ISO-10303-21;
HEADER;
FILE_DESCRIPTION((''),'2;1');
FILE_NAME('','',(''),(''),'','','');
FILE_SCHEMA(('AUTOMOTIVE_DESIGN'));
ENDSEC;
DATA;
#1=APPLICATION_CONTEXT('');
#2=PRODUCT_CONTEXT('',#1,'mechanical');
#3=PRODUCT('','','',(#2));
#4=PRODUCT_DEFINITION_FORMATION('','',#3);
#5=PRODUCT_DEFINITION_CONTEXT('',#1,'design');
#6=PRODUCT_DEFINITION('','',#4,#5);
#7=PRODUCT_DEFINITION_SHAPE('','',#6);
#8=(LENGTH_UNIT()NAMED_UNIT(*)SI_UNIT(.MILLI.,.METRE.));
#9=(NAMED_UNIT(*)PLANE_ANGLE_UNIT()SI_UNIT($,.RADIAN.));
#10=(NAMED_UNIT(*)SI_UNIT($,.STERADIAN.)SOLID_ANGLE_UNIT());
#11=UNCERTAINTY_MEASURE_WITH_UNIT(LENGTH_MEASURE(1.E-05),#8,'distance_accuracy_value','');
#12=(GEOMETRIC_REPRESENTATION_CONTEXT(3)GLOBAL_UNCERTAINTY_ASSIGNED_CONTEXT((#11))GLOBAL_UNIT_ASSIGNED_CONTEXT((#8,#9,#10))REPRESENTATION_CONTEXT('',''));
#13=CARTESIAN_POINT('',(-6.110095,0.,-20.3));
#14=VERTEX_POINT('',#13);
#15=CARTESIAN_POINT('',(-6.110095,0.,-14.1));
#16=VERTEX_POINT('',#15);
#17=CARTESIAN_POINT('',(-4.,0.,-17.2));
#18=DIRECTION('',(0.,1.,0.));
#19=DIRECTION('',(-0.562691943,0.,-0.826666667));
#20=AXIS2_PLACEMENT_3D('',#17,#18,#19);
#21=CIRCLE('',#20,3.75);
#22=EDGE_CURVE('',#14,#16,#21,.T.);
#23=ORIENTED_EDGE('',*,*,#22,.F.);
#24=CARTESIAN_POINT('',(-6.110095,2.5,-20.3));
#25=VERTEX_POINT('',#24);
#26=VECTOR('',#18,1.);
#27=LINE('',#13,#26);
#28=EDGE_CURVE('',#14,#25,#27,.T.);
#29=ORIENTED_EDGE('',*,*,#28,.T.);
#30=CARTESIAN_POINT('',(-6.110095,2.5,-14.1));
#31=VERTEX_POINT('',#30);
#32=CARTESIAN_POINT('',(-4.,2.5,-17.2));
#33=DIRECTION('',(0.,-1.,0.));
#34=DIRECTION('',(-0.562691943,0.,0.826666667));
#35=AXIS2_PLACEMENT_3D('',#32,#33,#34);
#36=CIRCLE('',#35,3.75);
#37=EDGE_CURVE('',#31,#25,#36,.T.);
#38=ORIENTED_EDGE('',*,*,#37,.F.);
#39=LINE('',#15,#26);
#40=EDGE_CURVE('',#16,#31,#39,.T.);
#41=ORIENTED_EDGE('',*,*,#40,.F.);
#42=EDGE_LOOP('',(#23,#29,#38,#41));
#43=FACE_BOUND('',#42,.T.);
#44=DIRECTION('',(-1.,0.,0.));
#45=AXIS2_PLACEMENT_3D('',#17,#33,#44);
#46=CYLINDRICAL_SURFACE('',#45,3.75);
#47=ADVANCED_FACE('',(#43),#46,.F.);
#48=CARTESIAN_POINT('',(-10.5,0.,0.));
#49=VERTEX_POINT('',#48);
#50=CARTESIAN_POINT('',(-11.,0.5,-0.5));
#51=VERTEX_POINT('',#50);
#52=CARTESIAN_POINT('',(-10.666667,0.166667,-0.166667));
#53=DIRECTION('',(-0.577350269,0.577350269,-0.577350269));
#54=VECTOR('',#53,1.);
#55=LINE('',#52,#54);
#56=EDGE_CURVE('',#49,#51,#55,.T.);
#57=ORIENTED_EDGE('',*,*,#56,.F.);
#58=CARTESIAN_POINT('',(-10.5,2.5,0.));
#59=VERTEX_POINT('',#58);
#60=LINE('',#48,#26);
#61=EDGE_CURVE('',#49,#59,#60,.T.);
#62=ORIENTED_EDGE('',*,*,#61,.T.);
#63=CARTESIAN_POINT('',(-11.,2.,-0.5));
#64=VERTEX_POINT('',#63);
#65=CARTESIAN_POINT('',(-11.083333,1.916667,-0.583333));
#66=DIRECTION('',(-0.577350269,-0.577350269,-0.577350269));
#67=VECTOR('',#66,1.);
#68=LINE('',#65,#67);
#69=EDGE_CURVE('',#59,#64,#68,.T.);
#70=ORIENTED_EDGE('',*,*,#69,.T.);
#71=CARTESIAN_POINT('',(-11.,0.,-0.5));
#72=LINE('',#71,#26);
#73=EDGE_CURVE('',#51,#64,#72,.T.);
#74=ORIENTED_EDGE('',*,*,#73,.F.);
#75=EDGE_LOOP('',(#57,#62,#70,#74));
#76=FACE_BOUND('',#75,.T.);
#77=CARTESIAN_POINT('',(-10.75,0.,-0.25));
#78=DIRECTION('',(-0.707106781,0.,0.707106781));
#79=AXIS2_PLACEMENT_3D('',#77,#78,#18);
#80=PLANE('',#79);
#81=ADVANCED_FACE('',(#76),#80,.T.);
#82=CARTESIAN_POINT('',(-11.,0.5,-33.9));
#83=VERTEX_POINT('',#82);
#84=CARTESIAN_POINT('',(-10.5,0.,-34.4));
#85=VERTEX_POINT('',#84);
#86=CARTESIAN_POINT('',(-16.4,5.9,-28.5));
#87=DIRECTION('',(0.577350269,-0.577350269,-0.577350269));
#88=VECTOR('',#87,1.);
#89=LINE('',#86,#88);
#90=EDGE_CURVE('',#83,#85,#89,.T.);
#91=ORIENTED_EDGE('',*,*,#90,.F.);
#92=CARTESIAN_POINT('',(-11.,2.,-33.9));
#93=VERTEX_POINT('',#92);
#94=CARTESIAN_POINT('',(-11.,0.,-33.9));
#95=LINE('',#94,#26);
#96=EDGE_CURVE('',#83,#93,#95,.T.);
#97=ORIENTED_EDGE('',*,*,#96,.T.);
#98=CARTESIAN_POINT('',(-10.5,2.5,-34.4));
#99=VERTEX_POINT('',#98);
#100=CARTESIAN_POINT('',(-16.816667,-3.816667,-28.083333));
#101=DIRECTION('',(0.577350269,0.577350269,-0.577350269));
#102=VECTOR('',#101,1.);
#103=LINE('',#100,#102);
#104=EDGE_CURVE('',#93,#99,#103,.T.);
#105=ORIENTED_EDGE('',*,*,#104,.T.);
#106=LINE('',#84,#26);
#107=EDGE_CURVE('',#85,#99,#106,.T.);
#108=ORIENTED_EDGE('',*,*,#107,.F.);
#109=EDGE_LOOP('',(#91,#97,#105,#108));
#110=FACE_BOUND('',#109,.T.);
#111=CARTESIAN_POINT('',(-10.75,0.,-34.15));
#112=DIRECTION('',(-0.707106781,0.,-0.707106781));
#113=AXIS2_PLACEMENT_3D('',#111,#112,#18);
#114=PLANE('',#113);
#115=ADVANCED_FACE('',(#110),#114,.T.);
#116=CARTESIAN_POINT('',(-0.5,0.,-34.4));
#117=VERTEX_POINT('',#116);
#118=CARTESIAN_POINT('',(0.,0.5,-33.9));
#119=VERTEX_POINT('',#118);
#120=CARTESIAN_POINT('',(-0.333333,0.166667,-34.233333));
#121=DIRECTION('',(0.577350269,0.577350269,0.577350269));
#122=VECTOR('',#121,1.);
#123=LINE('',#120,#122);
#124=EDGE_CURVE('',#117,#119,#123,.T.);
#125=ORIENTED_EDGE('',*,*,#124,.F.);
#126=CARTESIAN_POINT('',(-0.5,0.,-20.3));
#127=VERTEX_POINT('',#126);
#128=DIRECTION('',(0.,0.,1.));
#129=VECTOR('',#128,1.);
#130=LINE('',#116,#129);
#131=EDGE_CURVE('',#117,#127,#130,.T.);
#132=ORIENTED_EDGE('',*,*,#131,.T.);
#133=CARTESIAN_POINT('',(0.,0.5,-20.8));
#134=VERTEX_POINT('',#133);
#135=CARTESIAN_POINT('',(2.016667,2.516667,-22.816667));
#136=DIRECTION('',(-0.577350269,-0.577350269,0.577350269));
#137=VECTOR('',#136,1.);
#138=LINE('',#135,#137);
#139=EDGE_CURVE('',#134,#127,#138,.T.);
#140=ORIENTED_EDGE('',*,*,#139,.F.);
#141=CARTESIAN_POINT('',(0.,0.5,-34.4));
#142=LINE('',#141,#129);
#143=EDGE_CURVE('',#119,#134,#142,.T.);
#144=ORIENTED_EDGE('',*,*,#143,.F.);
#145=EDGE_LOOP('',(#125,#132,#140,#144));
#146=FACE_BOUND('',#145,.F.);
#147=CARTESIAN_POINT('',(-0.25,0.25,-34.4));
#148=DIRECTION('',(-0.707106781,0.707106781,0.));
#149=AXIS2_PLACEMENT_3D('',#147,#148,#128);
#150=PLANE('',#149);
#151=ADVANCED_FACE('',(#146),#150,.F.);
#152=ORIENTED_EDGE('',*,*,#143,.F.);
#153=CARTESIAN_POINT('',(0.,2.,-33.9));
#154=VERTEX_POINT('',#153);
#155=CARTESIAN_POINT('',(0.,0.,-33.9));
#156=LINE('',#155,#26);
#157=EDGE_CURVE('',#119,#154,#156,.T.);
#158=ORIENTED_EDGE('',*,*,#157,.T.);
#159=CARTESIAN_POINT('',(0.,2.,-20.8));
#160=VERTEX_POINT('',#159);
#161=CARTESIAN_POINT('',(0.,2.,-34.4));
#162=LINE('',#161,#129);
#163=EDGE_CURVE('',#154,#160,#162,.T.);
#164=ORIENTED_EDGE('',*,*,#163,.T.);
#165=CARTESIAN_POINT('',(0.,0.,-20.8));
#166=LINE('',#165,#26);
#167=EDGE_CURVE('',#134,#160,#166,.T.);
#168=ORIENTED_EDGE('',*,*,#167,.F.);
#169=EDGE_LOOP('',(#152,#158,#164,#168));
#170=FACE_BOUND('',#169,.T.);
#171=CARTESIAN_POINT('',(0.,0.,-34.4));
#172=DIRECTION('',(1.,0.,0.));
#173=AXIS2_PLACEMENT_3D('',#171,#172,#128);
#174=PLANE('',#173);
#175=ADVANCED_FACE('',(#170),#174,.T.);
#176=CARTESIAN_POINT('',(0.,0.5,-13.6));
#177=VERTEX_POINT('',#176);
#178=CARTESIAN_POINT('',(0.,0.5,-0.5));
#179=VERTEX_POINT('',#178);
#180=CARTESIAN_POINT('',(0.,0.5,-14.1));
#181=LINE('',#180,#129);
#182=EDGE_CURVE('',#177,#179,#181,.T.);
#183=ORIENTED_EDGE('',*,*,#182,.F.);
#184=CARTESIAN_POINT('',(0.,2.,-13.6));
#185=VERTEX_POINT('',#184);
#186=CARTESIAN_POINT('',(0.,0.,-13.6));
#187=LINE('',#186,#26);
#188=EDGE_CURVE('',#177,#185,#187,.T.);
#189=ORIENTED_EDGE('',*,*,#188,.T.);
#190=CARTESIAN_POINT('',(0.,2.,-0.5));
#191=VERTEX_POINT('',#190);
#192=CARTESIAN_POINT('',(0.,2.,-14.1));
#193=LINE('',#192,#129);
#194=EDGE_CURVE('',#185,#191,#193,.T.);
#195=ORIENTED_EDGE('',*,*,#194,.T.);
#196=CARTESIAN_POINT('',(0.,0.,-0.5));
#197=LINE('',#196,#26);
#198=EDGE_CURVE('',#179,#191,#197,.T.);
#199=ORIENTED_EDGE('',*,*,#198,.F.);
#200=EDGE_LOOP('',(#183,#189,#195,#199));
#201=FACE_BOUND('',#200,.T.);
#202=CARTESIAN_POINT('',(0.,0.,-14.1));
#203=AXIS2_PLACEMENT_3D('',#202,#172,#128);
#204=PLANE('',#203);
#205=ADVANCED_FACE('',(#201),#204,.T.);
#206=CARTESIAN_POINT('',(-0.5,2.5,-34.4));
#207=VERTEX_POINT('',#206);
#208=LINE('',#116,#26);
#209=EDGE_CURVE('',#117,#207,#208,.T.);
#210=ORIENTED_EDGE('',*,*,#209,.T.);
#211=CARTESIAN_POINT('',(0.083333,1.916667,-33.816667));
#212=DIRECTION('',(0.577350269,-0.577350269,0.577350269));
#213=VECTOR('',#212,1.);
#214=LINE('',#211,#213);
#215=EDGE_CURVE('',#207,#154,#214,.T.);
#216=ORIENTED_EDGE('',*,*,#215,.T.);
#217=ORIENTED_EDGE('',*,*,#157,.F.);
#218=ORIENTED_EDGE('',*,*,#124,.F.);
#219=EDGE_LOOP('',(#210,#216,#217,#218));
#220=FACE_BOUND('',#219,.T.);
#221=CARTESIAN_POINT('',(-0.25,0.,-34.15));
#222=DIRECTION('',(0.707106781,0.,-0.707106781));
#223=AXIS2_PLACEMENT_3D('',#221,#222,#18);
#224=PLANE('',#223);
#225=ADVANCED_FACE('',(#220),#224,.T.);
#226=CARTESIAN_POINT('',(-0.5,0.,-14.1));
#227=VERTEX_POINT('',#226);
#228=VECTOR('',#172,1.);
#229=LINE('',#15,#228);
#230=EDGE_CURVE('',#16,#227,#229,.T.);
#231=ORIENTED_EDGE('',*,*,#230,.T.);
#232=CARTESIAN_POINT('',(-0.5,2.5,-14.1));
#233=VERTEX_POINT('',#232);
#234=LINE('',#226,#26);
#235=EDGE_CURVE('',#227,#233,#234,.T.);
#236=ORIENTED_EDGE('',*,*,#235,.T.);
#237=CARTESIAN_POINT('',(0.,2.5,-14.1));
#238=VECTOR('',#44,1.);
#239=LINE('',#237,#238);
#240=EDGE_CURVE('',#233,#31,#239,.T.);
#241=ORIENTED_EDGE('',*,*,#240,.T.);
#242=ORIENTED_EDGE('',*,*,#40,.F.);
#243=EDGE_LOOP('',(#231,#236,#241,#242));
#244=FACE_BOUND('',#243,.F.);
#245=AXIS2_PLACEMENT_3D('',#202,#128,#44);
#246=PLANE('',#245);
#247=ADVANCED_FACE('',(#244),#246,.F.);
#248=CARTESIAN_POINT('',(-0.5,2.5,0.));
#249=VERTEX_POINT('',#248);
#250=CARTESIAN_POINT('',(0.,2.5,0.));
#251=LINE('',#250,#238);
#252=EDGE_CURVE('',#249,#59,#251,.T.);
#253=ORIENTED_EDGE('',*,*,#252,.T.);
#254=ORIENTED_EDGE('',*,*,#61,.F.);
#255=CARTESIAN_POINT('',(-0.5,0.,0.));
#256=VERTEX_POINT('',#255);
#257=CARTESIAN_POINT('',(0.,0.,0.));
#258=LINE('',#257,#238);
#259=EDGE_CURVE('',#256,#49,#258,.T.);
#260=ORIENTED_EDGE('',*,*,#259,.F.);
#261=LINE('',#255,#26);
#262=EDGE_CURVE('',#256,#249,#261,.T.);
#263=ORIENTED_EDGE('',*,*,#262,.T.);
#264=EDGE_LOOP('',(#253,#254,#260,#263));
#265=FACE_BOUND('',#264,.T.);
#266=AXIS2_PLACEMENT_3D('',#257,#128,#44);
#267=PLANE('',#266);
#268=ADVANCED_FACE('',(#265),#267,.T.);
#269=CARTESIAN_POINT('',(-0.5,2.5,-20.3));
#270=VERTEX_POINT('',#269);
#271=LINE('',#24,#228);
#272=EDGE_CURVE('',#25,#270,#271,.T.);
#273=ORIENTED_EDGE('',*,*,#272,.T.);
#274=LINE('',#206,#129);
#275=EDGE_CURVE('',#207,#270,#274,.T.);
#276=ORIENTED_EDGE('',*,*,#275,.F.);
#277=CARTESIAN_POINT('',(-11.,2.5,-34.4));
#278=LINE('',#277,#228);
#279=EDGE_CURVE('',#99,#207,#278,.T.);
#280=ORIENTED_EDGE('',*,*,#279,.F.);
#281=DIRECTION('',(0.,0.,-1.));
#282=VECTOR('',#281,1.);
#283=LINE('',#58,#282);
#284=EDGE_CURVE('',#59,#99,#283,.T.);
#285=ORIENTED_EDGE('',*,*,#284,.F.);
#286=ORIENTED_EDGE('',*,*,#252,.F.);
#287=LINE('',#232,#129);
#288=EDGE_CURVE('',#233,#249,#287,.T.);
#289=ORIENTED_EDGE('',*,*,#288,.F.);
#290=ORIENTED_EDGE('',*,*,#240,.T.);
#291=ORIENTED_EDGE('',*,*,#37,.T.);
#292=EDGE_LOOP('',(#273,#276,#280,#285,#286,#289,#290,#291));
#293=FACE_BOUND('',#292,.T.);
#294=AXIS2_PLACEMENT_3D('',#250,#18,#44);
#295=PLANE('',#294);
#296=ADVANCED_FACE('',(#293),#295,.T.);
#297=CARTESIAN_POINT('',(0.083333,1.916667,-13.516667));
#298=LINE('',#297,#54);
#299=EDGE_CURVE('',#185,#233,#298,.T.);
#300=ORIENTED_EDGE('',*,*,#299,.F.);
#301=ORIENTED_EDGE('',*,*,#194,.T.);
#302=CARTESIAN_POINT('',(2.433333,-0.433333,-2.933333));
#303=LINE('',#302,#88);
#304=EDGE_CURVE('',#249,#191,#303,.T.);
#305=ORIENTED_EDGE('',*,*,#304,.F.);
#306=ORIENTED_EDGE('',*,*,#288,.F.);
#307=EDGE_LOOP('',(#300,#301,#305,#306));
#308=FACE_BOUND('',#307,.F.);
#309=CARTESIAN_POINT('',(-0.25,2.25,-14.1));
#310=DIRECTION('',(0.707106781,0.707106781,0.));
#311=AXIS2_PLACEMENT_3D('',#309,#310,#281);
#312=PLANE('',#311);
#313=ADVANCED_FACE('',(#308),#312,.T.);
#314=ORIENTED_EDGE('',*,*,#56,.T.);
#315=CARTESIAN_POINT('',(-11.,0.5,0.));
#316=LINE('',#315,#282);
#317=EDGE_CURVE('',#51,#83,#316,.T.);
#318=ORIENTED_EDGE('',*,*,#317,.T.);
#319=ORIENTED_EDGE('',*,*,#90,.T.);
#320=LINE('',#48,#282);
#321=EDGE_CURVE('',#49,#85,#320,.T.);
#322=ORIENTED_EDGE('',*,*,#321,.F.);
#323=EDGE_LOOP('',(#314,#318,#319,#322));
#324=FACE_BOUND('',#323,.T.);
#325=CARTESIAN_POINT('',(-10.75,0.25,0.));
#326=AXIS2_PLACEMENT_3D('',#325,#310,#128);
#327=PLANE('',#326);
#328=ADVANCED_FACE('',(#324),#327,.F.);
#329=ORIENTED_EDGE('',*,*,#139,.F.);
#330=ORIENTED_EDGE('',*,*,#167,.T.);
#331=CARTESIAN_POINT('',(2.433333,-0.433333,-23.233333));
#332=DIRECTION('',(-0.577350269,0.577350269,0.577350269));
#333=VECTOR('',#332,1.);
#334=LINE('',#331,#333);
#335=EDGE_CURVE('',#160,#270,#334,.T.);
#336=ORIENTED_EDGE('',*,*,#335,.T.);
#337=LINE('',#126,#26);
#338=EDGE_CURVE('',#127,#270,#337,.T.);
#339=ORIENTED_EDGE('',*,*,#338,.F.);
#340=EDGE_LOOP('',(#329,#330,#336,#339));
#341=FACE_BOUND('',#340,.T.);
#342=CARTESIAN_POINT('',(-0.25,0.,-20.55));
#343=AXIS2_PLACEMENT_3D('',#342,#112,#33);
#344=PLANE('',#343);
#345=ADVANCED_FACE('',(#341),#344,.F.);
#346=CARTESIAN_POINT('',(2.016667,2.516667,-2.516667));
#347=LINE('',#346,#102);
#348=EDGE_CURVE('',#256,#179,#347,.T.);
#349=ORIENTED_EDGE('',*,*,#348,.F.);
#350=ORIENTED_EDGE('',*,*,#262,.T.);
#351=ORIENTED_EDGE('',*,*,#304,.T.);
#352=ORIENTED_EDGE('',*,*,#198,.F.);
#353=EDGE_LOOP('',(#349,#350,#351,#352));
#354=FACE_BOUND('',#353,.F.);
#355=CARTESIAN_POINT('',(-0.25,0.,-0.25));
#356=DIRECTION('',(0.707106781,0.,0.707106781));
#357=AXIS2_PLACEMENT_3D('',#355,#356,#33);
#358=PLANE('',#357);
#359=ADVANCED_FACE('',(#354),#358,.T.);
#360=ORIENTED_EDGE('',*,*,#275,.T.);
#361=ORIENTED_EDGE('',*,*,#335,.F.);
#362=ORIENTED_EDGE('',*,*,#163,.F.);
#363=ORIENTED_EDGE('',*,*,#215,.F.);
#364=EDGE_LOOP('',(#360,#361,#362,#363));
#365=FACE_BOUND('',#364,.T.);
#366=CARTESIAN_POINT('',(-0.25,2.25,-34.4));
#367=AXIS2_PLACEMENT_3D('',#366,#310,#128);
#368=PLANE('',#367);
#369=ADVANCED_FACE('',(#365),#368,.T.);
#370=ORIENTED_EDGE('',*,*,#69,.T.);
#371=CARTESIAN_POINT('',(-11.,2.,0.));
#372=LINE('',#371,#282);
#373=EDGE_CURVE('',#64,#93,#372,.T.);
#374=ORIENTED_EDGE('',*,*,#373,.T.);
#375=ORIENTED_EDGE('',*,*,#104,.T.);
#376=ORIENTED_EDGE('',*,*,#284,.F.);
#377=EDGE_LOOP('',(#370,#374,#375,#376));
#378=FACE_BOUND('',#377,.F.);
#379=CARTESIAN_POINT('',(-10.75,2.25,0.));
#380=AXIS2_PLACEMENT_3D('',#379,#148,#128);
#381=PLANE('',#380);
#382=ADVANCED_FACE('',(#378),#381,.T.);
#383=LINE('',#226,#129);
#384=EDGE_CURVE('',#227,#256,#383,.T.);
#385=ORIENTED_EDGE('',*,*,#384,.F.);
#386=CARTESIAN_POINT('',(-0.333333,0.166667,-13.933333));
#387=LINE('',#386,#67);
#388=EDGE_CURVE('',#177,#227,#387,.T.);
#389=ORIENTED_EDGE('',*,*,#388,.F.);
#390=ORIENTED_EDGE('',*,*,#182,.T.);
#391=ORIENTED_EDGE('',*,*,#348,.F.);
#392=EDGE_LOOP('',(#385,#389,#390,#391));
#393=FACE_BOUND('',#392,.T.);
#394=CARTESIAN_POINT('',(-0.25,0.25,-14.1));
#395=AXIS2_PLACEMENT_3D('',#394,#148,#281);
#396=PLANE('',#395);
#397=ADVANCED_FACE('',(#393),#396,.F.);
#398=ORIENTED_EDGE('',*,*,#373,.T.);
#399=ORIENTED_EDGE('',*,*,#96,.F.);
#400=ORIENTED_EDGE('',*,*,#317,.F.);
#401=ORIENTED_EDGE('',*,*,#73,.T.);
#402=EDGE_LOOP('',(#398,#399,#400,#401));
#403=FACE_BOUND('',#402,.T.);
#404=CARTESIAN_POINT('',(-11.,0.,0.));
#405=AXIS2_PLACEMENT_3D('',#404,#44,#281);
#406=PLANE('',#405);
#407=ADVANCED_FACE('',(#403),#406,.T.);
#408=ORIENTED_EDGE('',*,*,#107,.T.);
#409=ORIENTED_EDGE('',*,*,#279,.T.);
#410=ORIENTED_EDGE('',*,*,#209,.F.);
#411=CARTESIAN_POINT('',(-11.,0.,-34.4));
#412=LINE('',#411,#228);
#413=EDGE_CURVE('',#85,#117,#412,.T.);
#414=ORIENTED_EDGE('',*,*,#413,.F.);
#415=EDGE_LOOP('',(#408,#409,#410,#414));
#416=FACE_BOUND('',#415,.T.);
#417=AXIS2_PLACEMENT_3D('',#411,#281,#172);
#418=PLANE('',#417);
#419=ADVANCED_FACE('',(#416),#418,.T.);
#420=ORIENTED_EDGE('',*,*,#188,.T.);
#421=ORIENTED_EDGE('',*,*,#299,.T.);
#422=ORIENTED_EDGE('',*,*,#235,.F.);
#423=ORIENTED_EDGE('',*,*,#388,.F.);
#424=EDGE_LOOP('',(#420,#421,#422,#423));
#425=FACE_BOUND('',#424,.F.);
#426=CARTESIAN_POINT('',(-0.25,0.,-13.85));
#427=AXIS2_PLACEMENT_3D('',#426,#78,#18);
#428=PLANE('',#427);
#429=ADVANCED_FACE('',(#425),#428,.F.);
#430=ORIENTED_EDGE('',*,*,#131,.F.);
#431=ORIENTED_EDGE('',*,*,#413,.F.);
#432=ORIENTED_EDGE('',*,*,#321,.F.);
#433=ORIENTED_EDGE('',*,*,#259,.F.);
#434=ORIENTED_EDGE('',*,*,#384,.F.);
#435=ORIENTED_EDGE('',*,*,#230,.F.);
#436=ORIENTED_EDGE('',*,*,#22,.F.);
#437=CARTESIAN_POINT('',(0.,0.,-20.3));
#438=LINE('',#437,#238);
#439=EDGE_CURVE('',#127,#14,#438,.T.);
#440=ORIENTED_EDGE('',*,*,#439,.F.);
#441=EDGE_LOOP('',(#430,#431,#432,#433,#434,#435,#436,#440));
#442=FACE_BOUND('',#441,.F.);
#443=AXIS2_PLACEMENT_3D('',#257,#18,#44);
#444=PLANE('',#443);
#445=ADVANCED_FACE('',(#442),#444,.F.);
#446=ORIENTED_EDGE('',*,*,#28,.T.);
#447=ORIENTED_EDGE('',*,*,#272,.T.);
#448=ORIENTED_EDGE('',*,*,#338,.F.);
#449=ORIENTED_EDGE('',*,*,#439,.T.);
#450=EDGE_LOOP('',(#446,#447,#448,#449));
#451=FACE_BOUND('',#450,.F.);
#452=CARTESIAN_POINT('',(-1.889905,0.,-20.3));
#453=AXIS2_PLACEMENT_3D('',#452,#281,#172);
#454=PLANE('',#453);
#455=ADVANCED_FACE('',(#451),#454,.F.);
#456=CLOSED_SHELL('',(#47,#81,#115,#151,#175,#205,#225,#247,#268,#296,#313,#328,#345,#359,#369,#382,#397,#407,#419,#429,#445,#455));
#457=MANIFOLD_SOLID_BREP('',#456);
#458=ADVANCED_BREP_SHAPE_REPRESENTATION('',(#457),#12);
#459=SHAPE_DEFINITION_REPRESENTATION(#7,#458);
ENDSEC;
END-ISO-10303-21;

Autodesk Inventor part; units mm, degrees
ref_plane "YZ Plane" through (0, 0, 0) normal (1, 0, 0) x (0, 1, 0)
ref_plane "XZ Plane" through (0, 0, 0) normal (0, 1, 0) x (-1, 0, 0)
ref_plane "XY Plane" through (0, 0, 0) normal (0, 0, 1) x (1, 0, 0)
sketch "S-Base" plane through (0, 0, 0) normal (0, 1, 0) x (-1, 0, 0)
  line L0 (0, 0) -> (11, 0)
  line L1 (11, 0) -> (11, -34.4)
  line L2 (11, -34.4) -> (0, -34.4)
  line L3 (0, -34.4) -> (0, 0)
  circle A0 centre (4, -17.2) radius 3.5
  line L4 (0, -14.1) -> (7.5, -14.1)
  line L5 (7.5, -14.1) -> (7.5, -20.3)
  line L6 (7.5, -20.3) -> (0, -20.3)
  line L7 (0, -20.3) -> (0, -14.1) construction
  line L8 (7.5, -17.2) -> (0, -17.2) construction
  circle A1 centre (4, -17.2) radius 3.75
  point P0 (6.1101, -20.3)
  point P1 (0, -20.3)
  point P2 (6.1101, -14.1)
  dimension "d1" = 7
  dimension "d0" = 34.4
  dimension "d2" = 17.2
  dimension "d3" = 6.2
  dimension "d4" = 11
  dimension "d5" = 7.5
  dimension "d6" = 0.25
extrude "Ex-Base" add sketch "S-Base" along normal blind 2.5 contours L0 L1 L2 L3 L6 A1 L5 L4 | A1 L4 A0 | L6 A0 A1 | A0 L4 | L4 L5 A1 | L6 A0 | A1 L5 L6
chamfer "Fase1" distance 0.5 angle 45 12 edges at (-11, 1.25, 0) (0, 1.25, 0) (0, 1.25, -34.4) (-11, 1.25, -34.4) (0, 1.25, -20.3) (0, 1.25, -14.1) (-11, 2.5, -17.2) (-11, 0, -17.2) (0, 2.5, -7.05) (0, 0, -7.05) (0, 2.5, -27.35) (0, 0, -27.35)
equation "\"d2\" = 0.5 * d0"
properties part number "ProbeHead_Kabelfixieung_V2"
